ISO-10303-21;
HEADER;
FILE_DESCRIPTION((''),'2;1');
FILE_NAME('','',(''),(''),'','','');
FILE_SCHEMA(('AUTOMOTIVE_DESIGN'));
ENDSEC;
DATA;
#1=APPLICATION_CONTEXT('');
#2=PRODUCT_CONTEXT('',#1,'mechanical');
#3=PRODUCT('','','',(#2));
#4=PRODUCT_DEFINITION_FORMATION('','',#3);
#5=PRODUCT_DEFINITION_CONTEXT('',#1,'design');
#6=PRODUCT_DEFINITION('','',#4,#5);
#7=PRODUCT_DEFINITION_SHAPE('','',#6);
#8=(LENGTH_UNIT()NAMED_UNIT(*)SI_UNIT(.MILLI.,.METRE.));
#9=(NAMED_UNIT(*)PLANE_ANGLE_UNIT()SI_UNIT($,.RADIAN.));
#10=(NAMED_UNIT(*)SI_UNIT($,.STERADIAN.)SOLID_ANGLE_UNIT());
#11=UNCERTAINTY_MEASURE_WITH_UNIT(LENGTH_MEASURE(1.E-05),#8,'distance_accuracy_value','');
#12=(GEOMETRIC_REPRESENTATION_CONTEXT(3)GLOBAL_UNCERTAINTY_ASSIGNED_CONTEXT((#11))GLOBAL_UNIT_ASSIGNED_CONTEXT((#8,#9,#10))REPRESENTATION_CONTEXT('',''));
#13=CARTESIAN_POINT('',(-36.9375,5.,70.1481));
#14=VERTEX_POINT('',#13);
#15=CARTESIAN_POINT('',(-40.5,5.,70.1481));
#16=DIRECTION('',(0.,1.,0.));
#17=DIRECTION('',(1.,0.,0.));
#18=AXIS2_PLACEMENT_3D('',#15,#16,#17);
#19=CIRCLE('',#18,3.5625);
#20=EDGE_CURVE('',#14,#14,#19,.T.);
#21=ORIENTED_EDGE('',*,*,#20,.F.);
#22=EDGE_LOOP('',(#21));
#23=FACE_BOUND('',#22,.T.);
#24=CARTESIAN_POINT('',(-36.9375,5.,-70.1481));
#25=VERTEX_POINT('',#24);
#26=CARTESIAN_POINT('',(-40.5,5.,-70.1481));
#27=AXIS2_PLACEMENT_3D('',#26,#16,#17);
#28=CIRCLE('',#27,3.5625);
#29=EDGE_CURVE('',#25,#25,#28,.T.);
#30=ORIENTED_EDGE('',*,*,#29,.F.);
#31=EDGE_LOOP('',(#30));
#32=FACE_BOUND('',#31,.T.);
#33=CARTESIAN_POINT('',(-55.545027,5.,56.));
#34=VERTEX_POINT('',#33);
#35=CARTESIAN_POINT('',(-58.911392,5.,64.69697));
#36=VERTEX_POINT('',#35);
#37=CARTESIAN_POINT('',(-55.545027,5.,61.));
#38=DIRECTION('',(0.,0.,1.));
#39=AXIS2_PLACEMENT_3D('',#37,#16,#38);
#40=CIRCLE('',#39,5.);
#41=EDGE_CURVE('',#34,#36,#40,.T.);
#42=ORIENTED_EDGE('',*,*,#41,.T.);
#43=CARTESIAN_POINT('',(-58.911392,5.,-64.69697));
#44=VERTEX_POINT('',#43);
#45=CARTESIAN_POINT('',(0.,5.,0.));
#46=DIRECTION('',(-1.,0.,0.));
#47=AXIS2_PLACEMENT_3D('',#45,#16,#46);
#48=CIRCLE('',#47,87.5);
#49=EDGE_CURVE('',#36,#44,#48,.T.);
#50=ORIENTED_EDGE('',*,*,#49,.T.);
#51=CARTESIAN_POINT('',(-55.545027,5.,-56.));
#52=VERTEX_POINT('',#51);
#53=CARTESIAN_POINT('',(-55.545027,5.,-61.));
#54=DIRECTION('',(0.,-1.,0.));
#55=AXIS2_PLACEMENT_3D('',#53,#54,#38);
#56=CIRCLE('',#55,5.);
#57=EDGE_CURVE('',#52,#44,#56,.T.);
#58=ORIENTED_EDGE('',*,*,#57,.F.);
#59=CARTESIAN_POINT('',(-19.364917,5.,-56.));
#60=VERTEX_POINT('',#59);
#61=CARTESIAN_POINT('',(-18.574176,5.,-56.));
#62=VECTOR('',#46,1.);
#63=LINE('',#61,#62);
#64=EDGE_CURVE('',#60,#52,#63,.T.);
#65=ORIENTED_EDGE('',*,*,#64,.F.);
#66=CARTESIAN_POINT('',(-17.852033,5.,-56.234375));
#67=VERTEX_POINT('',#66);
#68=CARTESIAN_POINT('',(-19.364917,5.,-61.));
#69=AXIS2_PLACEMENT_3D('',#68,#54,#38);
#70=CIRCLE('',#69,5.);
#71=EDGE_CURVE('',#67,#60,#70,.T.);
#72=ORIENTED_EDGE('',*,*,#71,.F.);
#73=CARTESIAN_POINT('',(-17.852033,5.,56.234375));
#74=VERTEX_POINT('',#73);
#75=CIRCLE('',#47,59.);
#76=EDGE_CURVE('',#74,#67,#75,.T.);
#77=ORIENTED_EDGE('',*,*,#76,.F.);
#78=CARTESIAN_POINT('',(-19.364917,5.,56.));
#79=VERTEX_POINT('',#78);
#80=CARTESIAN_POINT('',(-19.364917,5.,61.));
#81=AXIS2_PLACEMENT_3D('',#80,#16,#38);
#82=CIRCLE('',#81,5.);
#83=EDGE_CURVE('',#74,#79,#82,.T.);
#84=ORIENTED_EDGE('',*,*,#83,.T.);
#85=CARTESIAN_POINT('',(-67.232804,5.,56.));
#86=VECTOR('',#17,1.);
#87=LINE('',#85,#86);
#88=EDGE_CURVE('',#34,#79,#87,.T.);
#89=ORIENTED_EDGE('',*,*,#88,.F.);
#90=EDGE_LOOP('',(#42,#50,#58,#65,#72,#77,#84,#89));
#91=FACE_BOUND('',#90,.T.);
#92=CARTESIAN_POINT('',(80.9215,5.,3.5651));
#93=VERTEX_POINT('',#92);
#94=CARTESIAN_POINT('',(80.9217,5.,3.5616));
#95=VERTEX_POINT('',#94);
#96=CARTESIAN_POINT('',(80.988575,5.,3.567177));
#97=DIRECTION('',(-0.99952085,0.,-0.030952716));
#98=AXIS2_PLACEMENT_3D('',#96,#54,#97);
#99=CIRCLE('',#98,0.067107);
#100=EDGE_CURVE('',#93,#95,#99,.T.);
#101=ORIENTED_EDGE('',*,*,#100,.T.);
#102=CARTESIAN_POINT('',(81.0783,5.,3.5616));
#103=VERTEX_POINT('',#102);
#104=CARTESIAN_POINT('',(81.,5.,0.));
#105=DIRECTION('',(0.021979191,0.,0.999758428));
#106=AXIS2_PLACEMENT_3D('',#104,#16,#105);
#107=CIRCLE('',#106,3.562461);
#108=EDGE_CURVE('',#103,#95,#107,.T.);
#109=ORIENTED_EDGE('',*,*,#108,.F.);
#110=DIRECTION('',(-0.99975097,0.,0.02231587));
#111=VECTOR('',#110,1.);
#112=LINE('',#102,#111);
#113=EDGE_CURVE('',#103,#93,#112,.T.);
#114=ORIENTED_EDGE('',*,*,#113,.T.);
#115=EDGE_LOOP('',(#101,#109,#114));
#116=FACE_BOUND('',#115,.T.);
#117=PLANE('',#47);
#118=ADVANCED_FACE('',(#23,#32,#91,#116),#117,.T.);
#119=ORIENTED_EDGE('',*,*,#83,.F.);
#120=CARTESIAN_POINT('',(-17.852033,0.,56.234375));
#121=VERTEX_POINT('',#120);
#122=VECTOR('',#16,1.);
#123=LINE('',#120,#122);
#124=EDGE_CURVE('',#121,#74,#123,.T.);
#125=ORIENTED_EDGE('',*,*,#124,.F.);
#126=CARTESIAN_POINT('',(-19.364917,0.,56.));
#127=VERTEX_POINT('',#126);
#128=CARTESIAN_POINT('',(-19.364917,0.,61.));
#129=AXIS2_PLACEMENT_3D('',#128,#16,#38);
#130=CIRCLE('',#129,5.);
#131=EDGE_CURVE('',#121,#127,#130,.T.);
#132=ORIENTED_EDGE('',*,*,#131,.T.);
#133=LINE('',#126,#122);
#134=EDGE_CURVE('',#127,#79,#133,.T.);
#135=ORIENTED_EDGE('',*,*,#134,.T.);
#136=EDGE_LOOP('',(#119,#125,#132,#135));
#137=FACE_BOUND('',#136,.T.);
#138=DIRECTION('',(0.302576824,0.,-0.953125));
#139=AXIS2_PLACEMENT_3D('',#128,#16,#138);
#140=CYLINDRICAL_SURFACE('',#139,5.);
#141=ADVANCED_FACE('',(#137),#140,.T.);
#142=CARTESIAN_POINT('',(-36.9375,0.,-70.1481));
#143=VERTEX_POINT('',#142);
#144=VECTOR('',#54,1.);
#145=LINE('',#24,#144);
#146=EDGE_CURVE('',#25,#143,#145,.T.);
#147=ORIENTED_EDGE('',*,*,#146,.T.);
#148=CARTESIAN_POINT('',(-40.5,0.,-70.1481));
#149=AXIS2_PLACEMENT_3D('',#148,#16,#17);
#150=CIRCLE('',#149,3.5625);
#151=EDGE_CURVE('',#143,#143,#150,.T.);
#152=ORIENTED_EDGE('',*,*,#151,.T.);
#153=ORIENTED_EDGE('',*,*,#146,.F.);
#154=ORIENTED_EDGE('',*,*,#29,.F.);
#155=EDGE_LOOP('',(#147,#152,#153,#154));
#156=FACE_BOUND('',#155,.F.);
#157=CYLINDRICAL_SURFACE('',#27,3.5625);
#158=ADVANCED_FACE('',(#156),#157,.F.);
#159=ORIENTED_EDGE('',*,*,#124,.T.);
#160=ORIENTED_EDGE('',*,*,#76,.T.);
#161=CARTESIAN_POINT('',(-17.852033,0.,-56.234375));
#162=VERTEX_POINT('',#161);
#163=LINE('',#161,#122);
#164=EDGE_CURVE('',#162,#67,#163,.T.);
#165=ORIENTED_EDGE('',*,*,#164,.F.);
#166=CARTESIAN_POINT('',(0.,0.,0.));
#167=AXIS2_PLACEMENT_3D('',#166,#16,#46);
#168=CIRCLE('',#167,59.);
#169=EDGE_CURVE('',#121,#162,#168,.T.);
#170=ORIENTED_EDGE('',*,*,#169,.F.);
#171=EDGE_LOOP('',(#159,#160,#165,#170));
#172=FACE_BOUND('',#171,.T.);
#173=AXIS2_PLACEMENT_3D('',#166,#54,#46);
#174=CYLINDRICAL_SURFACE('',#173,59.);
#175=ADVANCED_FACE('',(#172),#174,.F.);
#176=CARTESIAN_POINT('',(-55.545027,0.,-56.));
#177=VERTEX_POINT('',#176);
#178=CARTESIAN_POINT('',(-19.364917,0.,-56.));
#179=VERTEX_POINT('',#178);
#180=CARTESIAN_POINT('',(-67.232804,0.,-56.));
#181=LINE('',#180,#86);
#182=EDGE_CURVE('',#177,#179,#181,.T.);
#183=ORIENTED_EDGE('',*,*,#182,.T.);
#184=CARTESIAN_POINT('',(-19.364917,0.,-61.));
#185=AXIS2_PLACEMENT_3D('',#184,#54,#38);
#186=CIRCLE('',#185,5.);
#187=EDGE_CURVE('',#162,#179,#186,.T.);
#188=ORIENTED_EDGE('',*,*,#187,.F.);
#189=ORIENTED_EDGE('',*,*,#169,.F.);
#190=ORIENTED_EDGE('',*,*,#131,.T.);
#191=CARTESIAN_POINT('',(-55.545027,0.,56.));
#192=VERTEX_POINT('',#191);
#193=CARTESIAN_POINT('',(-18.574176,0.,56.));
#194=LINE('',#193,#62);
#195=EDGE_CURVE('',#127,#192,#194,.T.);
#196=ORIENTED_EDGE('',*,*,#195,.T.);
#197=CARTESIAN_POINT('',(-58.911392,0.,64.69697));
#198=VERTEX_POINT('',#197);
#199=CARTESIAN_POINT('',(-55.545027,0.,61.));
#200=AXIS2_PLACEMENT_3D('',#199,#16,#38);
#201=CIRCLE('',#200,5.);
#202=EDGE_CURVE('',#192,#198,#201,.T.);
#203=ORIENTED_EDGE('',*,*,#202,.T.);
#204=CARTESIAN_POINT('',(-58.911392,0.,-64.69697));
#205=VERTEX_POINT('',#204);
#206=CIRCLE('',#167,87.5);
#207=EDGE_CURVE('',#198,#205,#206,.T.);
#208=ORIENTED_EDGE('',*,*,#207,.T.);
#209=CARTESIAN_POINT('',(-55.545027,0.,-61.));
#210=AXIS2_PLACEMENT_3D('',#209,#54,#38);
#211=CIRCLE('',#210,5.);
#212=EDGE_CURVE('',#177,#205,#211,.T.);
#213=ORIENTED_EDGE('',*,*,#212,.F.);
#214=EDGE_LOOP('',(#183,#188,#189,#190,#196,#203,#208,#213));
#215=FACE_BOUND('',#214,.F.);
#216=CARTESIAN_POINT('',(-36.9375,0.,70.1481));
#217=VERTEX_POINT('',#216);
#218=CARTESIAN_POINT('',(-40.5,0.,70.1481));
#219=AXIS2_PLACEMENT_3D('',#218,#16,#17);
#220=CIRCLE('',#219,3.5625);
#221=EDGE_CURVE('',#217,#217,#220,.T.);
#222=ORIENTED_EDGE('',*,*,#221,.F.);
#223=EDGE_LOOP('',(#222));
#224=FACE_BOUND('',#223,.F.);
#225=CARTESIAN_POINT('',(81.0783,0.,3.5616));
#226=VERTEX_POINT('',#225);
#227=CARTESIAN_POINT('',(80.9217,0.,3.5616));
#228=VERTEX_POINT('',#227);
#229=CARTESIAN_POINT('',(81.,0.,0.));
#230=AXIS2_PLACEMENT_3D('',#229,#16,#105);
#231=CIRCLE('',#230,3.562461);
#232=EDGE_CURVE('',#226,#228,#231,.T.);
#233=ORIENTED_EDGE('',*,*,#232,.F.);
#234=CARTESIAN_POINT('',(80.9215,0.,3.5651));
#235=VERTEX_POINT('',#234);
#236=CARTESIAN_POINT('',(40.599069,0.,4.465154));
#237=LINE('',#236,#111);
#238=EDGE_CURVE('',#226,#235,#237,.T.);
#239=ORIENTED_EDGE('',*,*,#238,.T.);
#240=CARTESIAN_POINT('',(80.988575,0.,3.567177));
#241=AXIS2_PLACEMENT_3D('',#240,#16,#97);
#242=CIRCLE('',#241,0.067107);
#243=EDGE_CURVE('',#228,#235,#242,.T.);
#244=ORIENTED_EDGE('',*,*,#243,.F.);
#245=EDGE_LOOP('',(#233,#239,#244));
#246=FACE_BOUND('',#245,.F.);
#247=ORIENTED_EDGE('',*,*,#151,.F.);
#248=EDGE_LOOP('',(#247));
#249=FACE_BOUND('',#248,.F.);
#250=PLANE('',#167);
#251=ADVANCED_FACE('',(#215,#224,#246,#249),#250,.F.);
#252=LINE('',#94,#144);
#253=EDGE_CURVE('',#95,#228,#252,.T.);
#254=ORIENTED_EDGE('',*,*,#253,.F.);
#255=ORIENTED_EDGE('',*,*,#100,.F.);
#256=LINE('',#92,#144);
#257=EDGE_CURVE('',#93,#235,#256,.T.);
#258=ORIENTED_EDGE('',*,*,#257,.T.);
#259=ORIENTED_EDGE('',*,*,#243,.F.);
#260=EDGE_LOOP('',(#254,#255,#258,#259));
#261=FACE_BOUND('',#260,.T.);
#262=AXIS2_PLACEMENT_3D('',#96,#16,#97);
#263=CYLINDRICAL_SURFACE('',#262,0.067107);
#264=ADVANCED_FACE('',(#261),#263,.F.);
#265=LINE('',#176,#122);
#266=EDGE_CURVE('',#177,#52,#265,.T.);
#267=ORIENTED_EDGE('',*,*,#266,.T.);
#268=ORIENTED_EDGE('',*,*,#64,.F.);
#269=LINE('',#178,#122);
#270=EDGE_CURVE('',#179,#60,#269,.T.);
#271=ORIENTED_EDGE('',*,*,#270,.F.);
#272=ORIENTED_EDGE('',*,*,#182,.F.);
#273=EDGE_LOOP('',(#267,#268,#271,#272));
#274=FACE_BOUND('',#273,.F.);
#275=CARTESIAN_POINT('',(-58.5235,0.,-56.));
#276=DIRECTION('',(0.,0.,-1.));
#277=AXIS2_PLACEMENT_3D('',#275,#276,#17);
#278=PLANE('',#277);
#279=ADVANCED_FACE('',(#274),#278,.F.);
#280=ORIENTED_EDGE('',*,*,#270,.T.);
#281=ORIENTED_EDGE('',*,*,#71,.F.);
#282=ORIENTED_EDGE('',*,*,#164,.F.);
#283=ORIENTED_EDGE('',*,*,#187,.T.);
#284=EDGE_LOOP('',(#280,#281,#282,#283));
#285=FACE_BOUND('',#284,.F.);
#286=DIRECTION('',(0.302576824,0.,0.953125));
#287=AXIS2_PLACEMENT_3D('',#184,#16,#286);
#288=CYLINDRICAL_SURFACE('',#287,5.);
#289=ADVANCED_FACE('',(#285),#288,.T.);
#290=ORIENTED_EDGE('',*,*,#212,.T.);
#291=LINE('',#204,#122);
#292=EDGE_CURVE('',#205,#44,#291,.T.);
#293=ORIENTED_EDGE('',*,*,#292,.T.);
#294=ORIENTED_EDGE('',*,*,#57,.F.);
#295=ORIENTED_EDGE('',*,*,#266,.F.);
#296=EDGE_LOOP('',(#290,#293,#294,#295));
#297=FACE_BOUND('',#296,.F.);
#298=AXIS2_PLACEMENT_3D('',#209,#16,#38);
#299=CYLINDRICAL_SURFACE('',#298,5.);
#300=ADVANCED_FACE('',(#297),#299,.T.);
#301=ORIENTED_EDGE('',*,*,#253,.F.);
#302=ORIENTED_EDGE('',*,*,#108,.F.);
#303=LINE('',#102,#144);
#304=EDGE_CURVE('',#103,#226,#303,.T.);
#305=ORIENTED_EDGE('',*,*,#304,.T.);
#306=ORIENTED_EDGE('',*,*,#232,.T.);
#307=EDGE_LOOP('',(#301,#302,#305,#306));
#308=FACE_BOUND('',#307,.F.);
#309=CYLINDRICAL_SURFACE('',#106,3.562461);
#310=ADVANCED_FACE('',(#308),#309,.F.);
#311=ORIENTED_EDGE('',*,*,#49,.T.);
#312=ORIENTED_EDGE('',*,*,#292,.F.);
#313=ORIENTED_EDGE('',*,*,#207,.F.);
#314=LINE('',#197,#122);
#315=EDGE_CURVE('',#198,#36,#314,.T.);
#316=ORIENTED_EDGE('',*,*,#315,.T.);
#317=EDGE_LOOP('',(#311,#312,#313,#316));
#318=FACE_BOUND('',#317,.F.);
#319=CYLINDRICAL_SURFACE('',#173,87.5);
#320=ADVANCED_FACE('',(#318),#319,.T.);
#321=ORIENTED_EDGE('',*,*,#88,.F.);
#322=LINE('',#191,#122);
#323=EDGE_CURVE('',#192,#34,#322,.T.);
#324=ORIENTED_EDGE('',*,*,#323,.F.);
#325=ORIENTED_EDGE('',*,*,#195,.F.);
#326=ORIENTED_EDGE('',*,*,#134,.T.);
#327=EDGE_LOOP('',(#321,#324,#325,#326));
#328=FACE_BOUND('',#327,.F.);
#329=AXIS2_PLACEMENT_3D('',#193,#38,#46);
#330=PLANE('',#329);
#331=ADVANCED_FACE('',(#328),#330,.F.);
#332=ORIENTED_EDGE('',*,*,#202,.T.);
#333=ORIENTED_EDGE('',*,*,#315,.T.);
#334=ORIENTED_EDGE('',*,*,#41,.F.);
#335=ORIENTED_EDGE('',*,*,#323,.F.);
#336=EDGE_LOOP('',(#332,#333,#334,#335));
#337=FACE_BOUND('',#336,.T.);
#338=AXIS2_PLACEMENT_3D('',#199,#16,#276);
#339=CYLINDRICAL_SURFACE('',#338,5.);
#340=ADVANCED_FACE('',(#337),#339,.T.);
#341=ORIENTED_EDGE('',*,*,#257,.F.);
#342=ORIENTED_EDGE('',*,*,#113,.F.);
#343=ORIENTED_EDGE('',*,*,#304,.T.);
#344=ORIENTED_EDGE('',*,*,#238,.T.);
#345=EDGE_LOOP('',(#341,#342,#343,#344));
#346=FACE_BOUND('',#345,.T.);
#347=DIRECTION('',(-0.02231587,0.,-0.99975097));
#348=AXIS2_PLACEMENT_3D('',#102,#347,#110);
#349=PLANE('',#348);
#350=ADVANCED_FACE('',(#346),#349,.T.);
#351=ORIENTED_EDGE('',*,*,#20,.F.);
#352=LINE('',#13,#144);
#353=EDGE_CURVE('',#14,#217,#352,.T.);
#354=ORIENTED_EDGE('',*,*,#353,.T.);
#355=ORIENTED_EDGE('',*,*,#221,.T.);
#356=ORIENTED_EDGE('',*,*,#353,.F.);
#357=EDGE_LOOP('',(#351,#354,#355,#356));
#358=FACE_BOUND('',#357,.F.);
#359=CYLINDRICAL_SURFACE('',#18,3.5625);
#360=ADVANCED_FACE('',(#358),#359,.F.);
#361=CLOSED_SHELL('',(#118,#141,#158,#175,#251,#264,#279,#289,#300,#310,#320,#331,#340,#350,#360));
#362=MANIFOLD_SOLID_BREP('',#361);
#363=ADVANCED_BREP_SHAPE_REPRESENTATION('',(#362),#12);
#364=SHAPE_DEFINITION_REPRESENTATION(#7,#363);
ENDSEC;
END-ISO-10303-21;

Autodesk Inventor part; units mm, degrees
ref_plane "YZ Plane" through (0, 0, 0) normal (1, 0, 0) x (0, 1, 0)
ref_plane "XZ Plane" through (0, 0, 0) normal (0, 1, 0) x (-1, 0, 0)
ref_plane "XY Plane" through (0, 0, 0) normal (0, 0, 1) x (1, 0, 0)
sketch "Sketch1" plane through (0, 0, 0) normal (0, 1, 0) x (-1, 0, 0)
  circle A0 centre (0, 0) radius 59
  circle A1 centre (0, 0) radius 81
  circle A2 centre (0, 0) radius 87.5
  line L0 (90, -56) -> (15, -56)
  line L1 (10, -51) -> (10, 51)
  line L2 (15, 56) -> (90, 56)
  line L3 (90, 56) -> (90, -56)
  line L4 (90, -56) -> (10, 56) construction
  line L5 (10, -56) -> (90, 56) construction
  arc A3 (10, -51) -> (15, -56) centre (15, -51) ccw
  arc A4 (15, 56) -> (10, 51) centre (15, 51) ccw
  point P0 (50, 0)
  point P1 (90, 0)
  point P2 (10, 0)
  point P3 (60, -54.4151)
  point P4 (60, 54.4151)
  point P5 (80, 35.4436)
  point P6 (80, -35.4436)
  point P7 (67.2328, 56)
  point P8 (67.2328, -56)
  dimension "d0" = 118
  dimension "d1" = 162
  dimension "d2" = 175
  dimension "d7" = 112
  dimension "d9" = 80
  dimension "d10" = 10
  dimension "d11" = 5
extrude "Extrusion1" add sketch "Sketch1" along normal blind 5 contours A0 L0 A1 L2 | A1 L0 A2 L2 picked at (42.125, 58.7621) picked at (-85.0936, 2.0693)
fillet "Fillet1" radius 5 4 edges at (-67.2328, 2.5, -56) (-67.2328, 2.5, 56) (-18.5742, 2.5, -56) (-18.5742, 2.5, 56)
sketch "Sketch2" plane through (0, 5, 0) normal (0, 1, 0) x (1, 0, 0)
  circle A0 centre (0, 0) radius 70.375
  line L0 (-36.4414, 79.1184) -> (-50.2978, 71.1184)
  line L1 (-50.2978, 71.1184) -> (-44.9056, 61.7788)
  arc A1 (-31.0492, 69.7788) -> (-44.9056, 61.7788) centre (0, 0) ccw
  line L2 (-31.0492, 69.7788) -> (-36.4414, 79.1184)
  circle A2 centre (-40.5, 70.1481) radius 3.5625
  circle A3 centre (-40.5, 70.1481) radius 3.5625
  line L3 (86.7392, -8) -> (86.7392, 8)
  line L4 (86.7392, 8) -> (75.9549, 8)
  arc A4 (75.9549, -8) -> (75.9549, 8) centre (0, 0) ccw
  line L5 (75.9549, -8) -> (86.7392, -8)
  arc A5 (80.9215, -3.5651) -> (80.9217, -3.5616) centre (0, 0) ccw
  arc A6 (81.0783, -3.5616) -> (80.9217, -3.5616) centre (81, 0) ccw
  line L6 (81.0783, -3.5616) -> (80.9215, -3.5651)
  line L7 (-50.2978, -71.1184) -> (-36.4414, -79.1184)
  line L8 (-36.4414, -79.1184) -> (-31.0492, -69.7788)
  arc A7 (-44.9056, -61.7788) -> (-31.0492, -69.7788) centre (0, 0) ccw
  line L9 (-44.9056, -61.7788) -> (-50.2978, -71.1184)
  circle A8 centre (-40.5, -70.1481) radius 3.5625
  point P0 (-65.1143, 450.6181)
extrude "Extrusion2" cut sketch "Sketch2" against normal blind 10 contours A2 | A5 A6 L6 | A8
properties part number "Cylinder Segment Holder"
